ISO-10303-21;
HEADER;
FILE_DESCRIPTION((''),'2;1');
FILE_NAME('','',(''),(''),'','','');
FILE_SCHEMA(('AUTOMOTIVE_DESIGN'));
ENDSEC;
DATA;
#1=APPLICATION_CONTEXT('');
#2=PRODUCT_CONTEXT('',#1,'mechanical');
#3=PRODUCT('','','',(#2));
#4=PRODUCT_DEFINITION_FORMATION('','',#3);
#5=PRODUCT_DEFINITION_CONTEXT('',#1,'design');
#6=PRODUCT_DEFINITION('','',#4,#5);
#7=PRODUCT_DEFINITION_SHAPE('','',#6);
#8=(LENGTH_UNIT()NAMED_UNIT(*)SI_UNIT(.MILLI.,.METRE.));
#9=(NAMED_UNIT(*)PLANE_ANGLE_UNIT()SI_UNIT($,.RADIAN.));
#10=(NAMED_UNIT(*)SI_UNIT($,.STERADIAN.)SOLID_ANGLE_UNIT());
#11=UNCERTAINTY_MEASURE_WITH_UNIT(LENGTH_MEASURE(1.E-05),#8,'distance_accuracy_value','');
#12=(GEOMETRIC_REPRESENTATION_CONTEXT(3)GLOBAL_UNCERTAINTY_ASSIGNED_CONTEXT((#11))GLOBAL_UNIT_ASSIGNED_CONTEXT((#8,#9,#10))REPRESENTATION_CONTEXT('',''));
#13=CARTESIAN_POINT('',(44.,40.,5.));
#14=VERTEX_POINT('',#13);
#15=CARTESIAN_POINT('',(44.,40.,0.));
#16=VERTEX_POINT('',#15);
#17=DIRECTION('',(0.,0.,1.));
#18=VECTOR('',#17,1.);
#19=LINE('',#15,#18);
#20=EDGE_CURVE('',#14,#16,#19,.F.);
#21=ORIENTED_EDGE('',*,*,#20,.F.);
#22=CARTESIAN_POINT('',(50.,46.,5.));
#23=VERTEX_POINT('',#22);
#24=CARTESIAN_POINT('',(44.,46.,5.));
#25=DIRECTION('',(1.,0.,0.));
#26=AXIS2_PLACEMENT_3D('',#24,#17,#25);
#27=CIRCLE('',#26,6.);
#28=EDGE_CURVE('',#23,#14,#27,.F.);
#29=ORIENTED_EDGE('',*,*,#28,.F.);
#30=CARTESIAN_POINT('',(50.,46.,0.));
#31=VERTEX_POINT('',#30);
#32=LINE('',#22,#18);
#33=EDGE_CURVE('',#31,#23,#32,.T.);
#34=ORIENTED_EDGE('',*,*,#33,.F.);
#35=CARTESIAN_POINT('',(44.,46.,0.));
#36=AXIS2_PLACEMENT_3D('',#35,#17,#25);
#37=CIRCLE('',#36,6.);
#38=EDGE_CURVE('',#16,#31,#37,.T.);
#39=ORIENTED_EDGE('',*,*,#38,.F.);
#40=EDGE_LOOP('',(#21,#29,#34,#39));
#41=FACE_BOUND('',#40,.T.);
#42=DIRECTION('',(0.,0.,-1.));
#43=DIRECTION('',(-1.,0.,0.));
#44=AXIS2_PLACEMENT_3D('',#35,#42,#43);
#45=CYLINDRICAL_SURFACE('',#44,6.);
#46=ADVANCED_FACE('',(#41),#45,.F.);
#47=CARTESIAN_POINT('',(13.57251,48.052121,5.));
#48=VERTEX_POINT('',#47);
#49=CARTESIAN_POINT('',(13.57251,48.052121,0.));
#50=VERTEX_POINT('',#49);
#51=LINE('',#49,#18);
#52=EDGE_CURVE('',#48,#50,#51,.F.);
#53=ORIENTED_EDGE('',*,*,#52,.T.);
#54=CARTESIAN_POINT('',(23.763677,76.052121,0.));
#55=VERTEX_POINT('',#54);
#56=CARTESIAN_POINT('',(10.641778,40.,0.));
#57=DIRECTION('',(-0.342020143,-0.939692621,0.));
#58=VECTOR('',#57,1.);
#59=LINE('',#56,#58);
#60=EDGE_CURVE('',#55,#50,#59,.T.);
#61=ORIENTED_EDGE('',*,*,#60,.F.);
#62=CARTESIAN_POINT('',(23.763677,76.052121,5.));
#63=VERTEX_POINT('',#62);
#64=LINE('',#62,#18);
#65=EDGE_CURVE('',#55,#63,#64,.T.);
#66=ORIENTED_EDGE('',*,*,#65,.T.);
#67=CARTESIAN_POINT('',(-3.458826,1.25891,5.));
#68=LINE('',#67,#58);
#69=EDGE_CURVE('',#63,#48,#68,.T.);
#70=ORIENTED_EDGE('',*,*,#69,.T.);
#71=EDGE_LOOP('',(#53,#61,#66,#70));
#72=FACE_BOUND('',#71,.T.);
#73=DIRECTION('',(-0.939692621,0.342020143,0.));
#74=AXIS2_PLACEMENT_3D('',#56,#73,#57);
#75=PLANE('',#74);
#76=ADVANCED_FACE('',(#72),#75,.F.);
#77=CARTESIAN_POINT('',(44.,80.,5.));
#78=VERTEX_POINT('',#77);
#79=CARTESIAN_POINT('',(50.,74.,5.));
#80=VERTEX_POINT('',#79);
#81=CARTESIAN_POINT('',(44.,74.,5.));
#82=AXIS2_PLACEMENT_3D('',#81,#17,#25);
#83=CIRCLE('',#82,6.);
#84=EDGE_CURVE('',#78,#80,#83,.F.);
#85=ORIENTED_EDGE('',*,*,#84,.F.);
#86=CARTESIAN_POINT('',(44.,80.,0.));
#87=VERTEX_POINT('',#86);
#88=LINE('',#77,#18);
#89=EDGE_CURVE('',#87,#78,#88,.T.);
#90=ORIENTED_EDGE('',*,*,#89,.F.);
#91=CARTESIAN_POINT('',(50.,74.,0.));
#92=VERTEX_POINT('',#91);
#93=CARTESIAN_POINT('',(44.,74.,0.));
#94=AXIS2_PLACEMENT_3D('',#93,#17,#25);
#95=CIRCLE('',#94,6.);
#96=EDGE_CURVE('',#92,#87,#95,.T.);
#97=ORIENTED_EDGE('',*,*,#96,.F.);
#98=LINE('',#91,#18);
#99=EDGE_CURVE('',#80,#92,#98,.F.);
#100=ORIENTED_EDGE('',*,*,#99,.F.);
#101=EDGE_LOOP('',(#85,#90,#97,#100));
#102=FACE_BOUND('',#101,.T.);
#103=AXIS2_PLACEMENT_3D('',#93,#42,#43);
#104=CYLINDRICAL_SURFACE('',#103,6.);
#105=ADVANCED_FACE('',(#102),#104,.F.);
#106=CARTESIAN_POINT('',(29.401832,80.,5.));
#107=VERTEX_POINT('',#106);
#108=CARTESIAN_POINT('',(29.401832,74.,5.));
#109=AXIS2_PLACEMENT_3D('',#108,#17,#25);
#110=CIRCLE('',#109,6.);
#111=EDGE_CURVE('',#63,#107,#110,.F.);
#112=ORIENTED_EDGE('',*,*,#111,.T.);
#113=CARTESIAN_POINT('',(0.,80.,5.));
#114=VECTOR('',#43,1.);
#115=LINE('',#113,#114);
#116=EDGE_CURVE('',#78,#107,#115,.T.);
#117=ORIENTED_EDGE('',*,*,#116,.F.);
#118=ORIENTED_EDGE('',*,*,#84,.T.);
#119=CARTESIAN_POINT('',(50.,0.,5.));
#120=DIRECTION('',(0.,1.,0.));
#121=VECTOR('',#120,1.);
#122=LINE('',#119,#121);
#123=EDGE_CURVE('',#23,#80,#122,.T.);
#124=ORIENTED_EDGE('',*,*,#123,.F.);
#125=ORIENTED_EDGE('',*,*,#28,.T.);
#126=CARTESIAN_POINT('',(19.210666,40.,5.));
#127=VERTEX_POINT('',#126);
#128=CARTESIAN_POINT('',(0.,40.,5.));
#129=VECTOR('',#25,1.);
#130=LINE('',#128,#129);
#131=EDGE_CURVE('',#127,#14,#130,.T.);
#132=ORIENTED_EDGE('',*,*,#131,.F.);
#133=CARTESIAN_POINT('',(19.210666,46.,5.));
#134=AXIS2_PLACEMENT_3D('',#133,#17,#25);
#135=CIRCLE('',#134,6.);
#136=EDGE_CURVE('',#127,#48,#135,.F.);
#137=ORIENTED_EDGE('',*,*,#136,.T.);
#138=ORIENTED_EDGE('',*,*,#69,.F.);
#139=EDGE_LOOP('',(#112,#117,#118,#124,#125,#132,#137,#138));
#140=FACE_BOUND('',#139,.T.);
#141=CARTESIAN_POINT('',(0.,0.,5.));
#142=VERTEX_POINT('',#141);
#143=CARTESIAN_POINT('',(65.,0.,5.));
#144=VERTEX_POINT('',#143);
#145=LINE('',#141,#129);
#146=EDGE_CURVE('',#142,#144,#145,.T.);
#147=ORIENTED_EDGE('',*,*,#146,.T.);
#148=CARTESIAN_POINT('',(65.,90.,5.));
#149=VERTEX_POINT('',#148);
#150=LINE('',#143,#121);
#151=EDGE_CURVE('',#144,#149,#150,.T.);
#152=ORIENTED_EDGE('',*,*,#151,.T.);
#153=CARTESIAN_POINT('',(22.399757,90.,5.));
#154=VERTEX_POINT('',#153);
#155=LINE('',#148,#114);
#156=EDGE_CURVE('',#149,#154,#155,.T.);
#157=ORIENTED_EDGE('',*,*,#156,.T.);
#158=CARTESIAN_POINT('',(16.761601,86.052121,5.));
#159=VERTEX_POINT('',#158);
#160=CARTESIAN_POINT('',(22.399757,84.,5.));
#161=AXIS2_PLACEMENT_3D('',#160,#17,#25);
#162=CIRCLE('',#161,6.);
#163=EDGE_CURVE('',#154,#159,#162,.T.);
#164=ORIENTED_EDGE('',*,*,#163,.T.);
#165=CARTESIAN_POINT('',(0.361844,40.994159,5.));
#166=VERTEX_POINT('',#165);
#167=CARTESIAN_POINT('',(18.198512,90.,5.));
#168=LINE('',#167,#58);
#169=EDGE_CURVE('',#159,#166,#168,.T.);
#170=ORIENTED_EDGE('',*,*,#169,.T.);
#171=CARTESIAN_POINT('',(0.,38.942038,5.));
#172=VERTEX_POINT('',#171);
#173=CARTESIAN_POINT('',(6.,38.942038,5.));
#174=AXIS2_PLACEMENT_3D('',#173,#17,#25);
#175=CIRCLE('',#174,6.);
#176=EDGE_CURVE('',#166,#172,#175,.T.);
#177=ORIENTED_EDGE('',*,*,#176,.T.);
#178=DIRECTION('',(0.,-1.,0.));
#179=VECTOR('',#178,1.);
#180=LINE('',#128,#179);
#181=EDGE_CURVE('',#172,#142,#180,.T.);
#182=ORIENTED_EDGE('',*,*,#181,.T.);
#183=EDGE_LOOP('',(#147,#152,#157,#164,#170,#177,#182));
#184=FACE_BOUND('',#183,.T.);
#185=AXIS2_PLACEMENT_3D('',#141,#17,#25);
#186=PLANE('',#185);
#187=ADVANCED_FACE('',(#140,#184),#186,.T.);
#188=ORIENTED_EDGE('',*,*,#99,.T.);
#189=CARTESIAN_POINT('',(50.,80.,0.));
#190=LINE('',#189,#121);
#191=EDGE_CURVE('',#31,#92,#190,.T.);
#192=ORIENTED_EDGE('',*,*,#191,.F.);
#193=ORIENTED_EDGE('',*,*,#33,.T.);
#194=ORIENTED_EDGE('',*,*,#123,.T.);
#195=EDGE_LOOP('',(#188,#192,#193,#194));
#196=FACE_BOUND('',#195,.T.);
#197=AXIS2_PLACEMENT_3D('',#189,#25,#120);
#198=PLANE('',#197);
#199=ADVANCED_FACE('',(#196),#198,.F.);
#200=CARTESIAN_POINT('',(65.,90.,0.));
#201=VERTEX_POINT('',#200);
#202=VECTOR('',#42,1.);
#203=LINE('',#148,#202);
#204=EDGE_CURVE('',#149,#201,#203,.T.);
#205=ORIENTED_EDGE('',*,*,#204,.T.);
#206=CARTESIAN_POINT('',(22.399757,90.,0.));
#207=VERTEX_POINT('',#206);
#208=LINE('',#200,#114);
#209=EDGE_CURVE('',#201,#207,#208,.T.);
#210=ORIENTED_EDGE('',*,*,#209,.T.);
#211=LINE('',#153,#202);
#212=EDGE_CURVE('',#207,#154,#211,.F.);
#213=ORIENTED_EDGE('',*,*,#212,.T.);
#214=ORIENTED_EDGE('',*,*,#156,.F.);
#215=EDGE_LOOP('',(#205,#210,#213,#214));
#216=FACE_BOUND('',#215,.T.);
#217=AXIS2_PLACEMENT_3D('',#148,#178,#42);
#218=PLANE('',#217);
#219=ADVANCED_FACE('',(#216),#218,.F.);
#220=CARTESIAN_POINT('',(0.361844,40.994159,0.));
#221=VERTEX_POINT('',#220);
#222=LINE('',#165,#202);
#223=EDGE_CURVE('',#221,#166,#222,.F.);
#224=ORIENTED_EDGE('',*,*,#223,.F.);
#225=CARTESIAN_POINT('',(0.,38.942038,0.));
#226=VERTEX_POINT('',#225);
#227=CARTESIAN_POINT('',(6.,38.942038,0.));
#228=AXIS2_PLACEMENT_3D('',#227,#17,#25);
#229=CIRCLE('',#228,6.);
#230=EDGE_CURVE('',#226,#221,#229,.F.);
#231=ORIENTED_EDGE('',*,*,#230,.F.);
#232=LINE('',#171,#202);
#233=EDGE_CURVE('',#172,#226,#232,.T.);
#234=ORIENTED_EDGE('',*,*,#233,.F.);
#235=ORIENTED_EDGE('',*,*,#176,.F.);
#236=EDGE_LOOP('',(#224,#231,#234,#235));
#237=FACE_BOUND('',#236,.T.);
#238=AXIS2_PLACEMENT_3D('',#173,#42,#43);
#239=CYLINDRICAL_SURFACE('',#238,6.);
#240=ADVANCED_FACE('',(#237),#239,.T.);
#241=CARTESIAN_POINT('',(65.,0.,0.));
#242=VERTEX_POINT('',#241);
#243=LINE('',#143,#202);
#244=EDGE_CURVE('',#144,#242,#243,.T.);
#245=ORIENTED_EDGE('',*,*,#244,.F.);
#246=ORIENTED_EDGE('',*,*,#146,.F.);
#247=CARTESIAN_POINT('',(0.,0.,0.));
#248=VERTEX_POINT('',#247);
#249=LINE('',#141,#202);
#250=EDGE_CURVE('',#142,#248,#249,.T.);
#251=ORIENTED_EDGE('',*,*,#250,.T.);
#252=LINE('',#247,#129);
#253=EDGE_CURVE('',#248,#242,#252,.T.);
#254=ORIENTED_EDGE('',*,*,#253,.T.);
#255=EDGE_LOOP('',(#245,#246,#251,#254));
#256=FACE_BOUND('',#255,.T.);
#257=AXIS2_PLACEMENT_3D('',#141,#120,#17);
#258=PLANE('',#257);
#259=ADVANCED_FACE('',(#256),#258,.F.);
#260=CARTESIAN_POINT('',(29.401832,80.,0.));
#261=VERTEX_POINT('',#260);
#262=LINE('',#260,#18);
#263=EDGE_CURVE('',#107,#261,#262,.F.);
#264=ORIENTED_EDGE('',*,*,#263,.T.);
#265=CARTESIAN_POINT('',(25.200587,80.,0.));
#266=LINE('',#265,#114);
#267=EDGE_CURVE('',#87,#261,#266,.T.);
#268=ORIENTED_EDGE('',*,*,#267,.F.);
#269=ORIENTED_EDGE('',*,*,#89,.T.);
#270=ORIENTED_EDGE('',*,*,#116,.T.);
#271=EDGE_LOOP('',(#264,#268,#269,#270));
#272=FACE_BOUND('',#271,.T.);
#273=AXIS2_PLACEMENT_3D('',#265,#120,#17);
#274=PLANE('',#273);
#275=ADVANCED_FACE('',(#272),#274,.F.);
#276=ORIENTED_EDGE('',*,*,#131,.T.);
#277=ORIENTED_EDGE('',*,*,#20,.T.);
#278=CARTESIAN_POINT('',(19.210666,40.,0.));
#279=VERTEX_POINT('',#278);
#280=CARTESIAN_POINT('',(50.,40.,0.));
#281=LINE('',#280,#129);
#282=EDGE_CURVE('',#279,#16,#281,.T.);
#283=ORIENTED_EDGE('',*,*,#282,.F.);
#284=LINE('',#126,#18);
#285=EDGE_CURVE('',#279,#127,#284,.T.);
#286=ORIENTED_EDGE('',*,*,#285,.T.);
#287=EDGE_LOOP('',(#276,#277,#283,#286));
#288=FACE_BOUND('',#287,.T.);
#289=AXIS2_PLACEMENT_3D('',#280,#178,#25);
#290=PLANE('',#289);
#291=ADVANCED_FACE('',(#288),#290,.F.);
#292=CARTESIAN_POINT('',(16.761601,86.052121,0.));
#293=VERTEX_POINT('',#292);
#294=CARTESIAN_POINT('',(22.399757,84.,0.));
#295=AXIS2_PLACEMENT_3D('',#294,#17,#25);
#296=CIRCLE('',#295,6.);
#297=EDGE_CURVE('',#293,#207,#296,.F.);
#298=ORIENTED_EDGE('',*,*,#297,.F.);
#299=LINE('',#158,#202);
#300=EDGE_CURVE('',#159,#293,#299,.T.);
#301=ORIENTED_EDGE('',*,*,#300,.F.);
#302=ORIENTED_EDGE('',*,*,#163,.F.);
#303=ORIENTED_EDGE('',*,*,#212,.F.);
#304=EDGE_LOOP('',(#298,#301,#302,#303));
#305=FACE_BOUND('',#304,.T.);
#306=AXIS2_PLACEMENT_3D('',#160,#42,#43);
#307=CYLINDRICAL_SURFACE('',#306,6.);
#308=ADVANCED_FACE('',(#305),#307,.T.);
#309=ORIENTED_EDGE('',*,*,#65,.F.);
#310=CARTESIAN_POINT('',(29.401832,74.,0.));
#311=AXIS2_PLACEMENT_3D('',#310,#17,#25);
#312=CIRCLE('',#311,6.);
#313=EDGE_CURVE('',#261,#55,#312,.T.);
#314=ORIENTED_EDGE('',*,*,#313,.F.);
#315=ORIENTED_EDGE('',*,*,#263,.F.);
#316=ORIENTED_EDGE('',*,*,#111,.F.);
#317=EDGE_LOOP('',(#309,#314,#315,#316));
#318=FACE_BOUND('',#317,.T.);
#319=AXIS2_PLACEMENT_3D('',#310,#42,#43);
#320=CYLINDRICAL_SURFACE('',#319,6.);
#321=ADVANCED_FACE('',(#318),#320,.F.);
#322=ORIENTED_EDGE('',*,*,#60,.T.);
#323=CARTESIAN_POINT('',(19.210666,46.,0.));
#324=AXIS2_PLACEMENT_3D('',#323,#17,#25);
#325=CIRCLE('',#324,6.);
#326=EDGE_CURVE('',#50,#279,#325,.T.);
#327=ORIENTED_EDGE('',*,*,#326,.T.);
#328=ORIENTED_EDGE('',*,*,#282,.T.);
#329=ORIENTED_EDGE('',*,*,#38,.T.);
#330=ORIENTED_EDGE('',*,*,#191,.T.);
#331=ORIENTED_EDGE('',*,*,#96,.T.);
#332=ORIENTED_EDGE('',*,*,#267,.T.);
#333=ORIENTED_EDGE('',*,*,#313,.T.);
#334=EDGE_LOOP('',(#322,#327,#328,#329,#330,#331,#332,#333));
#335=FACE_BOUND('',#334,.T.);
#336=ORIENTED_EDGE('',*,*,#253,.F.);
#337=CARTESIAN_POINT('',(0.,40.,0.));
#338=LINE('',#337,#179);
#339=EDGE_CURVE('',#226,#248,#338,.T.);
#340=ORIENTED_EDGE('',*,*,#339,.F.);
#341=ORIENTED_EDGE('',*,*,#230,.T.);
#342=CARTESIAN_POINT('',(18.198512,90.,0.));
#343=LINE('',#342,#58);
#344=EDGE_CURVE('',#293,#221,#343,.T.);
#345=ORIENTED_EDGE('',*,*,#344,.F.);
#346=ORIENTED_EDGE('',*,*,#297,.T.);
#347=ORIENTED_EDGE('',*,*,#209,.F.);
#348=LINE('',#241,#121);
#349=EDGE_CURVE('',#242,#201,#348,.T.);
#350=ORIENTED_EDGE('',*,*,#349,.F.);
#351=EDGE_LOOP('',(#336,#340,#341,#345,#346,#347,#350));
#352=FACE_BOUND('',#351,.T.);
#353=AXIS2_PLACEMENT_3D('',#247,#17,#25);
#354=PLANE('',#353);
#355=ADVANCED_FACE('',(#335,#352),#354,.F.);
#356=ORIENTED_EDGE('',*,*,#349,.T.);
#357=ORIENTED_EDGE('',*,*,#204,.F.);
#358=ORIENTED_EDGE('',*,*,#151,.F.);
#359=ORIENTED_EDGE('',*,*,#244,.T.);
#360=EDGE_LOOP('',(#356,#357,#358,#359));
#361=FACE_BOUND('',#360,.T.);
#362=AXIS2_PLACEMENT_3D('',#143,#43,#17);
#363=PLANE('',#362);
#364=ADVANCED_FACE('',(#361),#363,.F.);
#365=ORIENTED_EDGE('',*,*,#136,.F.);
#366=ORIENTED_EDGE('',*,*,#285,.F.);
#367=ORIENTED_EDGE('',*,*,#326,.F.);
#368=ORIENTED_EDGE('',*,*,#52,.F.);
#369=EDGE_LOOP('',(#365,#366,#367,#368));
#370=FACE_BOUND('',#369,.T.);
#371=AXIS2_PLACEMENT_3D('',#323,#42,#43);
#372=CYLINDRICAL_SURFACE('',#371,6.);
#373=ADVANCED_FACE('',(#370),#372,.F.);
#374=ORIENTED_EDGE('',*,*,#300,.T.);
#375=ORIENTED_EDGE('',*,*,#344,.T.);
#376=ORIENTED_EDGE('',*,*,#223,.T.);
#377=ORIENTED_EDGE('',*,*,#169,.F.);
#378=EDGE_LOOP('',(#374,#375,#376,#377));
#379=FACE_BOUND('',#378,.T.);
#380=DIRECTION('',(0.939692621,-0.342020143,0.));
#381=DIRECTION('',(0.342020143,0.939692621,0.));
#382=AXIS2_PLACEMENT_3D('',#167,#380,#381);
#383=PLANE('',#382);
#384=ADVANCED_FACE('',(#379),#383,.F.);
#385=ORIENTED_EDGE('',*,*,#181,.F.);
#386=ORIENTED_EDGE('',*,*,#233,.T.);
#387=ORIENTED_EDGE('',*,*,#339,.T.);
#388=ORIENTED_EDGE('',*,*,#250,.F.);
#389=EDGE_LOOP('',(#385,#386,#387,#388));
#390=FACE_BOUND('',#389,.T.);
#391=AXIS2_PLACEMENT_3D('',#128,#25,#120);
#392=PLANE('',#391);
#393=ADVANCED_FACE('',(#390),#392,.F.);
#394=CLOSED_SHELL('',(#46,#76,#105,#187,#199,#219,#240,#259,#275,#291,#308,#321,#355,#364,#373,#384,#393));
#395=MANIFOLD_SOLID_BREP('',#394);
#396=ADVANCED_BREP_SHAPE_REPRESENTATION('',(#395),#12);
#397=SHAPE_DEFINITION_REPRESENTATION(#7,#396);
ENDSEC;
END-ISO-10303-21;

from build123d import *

# Parameters (mm, degrees)
BOSS_EXTRU_1_DEPTH           = 5
ENL_V_MAT_EXTRU_1_DEPTH      = 112.130553854
ENL_V_MAT_EXTRU_1_DEPTH_BACK = 112.130553854
CONG_1_R                     = 6


with BuildPart() as part:
    # Esquisse1 → Boss.-Extru.1 (new body)
    with BuildSketch(Plane.XY):
        Polygon((0, 0), (65, 0), (65, 90), (18.198511713, 90), (0, 40), align=None)
    extrude(amount=BOSS_EXTRU_1_DEPTH)

    # Esquisse2 → Enlèv. mat.-Extru.1 (cut, two sides: drawn at the far end of the back side and taken through both)
    with BuildSketch(Plane.XY.offset(5).offset(-ENL_V_MAT_EXTRU_1_DEPTH_BACK)):
        Polygon((10.641777725, 40), (25.200587095, 80), (50, 80), (50, 40), align=None)
    extrude(amount=ENL_V_MAT_EXTRU_1_DEPTH + ENL_V_MAT_EXTRU_1_DEPTH_BACK, mode=Mode.SUBTRACT)

    # Congé1
    cong_1_edges = [part.edges().sort_by_distance(p)[0] for p in [
        (50, 40, 2.5),
        (10.641777725, 40, 2.5),
        (25.200587095, 80, 2.5),
        (50, 80, 2.5),
        (0, 40, 2.5),
        (18.198511713, 90, 2.5),
    ]]
    fillet(cong_1_edges, radius=CONG_1_R)


solid = part.part
